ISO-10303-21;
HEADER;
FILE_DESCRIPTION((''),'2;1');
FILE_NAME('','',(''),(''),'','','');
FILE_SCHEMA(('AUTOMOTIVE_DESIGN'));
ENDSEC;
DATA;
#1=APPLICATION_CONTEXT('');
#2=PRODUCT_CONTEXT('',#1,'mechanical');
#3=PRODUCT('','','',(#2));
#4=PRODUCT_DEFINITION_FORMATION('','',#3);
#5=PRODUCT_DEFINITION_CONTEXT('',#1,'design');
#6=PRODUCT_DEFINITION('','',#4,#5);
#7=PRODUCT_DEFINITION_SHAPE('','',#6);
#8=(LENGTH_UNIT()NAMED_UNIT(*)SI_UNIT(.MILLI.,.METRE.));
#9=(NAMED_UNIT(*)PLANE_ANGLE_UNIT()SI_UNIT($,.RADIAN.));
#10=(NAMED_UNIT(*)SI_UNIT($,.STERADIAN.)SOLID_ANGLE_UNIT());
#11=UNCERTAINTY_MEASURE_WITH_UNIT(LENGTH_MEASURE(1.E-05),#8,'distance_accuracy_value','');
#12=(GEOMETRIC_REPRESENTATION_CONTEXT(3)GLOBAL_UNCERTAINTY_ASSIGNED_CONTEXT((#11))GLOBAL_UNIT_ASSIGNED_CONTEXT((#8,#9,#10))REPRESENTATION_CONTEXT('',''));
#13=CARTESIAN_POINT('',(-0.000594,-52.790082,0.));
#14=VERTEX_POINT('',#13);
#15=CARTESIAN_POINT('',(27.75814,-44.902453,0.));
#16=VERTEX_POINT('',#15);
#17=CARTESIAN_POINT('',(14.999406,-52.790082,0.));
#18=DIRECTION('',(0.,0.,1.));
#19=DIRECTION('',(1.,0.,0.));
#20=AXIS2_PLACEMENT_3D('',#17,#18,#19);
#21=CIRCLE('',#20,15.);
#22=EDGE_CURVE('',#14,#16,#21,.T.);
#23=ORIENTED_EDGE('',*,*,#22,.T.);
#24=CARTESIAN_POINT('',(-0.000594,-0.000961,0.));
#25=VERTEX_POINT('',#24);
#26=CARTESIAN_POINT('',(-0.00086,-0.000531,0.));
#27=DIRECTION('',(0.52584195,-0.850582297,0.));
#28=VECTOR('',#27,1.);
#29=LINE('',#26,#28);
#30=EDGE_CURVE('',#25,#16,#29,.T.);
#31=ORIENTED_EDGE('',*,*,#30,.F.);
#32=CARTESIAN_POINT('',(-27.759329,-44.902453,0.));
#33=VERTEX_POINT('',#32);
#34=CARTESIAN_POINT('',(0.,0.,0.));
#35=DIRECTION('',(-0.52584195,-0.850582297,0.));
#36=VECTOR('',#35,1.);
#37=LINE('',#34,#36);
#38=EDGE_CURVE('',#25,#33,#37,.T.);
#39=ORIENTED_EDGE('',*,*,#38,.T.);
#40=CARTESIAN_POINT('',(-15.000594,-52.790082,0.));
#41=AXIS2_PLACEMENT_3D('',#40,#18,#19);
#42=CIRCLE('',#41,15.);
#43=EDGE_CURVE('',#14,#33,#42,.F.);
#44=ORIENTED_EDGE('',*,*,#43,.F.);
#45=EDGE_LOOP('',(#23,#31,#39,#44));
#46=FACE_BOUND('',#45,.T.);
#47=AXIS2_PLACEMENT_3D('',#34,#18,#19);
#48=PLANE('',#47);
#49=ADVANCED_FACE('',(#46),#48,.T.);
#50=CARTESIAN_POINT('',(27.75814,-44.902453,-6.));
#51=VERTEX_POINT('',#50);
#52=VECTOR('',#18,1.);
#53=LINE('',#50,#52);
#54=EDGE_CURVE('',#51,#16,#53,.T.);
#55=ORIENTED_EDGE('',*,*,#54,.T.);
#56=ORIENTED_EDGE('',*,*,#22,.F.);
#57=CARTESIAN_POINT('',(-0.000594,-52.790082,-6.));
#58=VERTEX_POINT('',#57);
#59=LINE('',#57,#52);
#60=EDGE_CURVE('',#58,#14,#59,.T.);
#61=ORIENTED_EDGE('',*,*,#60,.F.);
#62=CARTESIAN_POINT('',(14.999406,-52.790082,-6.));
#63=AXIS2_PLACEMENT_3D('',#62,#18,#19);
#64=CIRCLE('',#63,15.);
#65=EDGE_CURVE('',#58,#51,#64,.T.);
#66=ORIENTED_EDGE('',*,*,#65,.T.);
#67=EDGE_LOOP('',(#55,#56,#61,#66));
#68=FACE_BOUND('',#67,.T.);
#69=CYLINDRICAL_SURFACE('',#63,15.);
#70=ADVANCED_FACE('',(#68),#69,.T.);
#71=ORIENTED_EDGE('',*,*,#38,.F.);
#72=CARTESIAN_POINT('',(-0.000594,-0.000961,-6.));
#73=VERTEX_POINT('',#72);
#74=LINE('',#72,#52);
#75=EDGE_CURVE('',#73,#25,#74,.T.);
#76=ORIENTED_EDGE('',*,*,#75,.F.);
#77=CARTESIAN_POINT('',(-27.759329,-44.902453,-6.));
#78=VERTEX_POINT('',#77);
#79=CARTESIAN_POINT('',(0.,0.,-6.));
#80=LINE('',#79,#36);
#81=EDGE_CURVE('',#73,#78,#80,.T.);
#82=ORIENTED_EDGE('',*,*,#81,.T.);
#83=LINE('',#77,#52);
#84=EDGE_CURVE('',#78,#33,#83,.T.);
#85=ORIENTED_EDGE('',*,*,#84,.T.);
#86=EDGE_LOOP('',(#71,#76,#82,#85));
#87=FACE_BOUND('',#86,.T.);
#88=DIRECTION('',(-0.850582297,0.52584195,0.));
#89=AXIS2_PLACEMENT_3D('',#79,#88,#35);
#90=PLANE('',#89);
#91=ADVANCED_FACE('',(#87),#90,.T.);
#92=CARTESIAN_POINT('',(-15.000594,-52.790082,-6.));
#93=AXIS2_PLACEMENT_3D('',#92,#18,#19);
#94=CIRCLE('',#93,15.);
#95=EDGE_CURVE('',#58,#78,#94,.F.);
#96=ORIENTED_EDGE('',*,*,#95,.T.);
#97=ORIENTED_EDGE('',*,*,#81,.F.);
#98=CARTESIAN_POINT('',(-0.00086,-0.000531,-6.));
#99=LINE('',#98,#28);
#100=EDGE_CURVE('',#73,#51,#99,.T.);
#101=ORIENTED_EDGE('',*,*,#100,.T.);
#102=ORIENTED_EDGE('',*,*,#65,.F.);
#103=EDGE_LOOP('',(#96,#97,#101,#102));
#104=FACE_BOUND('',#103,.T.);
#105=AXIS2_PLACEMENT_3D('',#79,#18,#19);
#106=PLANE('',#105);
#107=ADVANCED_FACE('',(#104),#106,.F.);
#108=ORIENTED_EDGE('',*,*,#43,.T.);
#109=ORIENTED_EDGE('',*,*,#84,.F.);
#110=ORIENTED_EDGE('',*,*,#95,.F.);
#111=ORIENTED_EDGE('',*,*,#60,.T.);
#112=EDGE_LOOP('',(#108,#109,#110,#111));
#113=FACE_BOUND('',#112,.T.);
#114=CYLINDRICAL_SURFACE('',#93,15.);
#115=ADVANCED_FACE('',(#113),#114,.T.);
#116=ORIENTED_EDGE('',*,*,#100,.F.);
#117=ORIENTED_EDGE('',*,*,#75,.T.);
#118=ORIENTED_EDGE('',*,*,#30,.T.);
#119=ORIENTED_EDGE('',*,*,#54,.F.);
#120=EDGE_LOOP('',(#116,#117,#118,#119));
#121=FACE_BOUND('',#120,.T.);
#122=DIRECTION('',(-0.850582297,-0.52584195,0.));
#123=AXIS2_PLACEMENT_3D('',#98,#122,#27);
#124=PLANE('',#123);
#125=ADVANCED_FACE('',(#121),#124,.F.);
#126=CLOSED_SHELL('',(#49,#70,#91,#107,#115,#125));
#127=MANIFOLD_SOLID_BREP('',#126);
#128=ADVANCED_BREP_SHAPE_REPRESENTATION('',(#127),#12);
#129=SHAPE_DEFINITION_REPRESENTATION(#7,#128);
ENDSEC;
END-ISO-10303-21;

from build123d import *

# Parameters (mm, degrees)
BOSS_EXTRUDE1_DEPTH = 6


with BuildPart() as part:
    # Sketch1 → Boss-Extrude1 (new body)
    with BuildSketch(Plane(origin=(0, 0, 0), x_dir=(1, 0, 0), z_dir=(0, 0, -1))):
        with BuildLine():
            Line((-27.759328596, 44.902453019), (-0.000594147, 0.000961069))
            Line((-0.000594147, 0.000961069), (27.758140303, 44.902453019))
            ThreePointArc((27.758140303, 44.902453019), (19.099343857, 67.218890553), (-0.000594147, 52.790082274))
            ThreePointArc((-0.000594147, 52.790082274), (-19.10053215, 67.218890553), (-27.759328596, 44.902453019))
        make_face()
    extrude(amount=BOSS_EXTRUDE1_DEPTH)


solid = part.part
